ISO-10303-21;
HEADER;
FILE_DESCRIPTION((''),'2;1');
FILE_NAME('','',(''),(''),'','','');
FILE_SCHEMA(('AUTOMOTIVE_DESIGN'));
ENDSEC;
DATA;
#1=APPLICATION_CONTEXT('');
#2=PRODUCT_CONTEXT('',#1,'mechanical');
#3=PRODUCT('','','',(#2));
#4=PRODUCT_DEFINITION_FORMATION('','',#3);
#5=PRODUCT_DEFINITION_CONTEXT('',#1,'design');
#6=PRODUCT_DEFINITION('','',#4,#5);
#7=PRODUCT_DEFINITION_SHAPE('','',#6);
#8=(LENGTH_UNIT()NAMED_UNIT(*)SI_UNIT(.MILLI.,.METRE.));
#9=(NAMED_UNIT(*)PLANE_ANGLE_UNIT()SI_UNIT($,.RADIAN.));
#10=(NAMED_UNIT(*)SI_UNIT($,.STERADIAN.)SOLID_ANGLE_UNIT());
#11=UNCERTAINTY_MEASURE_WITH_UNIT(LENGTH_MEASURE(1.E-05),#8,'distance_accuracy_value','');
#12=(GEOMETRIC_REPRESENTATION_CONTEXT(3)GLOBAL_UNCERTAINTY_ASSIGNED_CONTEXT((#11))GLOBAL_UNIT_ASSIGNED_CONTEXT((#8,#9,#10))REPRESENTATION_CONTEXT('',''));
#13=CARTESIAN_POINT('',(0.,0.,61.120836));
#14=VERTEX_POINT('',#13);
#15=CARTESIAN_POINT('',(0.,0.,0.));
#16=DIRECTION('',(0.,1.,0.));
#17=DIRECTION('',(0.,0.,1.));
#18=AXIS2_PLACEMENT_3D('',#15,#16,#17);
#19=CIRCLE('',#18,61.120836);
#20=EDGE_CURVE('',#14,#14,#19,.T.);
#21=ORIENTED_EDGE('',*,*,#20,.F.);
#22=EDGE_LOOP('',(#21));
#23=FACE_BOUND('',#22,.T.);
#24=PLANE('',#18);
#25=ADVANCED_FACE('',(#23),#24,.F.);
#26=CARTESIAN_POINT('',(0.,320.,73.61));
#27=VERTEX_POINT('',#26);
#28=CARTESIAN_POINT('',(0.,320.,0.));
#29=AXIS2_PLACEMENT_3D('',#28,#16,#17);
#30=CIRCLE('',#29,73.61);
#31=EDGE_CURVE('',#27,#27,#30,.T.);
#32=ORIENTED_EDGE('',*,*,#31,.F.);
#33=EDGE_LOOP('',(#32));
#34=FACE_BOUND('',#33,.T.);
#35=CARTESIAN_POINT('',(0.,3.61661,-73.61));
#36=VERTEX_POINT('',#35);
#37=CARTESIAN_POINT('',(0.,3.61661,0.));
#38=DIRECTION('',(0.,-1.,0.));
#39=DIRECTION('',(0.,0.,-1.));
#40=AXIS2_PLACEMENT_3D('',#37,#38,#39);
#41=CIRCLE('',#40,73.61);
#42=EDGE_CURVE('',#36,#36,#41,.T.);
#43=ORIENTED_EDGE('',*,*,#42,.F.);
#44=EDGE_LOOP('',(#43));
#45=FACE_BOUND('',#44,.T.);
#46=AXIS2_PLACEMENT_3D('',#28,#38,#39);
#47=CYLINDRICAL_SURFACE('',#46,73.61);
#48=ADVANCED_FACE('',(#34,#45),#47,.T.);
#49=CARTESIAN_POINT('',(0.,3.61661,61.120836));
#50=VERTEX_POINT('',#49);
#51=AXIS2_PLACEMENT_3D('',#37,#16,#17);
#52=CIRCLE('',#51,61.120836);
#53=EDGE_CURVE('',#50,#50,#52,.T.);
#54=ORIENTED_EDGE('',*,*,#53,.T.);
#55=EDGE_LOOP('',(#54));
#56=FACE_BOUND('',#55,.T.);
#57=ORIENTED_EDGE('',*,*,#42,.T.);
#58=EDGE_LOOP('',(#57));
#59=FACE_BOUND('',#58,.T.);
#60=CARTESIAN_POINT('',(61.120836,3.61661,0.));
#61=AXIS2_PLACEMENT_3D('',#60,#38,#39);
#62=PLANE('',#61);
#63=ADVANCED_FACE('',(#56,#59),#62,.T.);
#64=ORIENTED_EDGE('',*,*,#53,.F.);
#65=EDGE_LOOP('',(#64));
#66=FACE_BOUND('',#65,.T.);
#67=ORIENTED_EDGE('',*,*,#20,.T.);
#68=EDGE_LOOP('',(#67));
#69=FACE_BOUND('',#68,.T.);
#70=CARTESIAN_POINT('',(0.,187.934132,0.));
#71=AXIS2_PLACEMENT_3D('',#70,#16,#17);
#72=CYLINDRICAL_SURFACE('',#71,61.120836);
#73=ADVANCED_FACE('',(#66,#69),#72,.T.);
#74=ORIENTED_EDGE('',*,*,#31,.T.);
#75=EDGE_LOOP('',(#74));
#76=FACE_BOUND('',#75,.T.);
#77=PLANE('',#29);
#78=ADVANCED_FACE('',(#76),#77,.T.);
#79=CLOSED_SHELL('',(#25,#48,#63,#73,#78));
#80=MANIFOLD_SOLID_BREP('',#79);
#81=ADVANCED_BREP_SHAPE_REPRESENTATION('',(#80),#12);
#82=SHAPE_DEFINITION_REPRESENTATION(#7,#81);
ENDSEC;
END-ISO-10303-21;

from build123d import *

# Parameters (mm, degrees)
ESQUISSE1_R        = 73.61
BOSS_EXTRU_1_DEPTH = 320
SKETCH2_W          = 28.172885559
SKETCH2_H          = 11.937663373


with BuildPart() as part:
    # Esquisse1 → Boss.-Extru.1 (new body)
    with BuildSketch(Plane(origin=(0, 0, 0), x_dir=(1, 0, 0), z_dir=(0, 1, 0))):
        with Locations(Location((0, 0, 0), (0, 0, 270))):
            Circle(ESQUISSE1_R)
    extrude(amount=BOSS_EXTRU_1_DEPTH)

    # Sketch2 → Cut-Revolve1 (revolve, cut)
    with BuildSketch(Plane.XY, mode=Mode.PRIVATE) as cut_revolve1_sk:
        with Locations((75.207279249, -2.35222187)):
            Rectangle(SKETCH2_W, SKETCH2_H)
    revolve(cut_revolve1_sk.sketch.rotate(Axis((0, 187.934132292, 0), (0, -1, 0)), 270), axis=Axis((0, 187.934132292, 0), (0, -1, 0)), mode=Mode.SUBTRACT)


solid = part.part
